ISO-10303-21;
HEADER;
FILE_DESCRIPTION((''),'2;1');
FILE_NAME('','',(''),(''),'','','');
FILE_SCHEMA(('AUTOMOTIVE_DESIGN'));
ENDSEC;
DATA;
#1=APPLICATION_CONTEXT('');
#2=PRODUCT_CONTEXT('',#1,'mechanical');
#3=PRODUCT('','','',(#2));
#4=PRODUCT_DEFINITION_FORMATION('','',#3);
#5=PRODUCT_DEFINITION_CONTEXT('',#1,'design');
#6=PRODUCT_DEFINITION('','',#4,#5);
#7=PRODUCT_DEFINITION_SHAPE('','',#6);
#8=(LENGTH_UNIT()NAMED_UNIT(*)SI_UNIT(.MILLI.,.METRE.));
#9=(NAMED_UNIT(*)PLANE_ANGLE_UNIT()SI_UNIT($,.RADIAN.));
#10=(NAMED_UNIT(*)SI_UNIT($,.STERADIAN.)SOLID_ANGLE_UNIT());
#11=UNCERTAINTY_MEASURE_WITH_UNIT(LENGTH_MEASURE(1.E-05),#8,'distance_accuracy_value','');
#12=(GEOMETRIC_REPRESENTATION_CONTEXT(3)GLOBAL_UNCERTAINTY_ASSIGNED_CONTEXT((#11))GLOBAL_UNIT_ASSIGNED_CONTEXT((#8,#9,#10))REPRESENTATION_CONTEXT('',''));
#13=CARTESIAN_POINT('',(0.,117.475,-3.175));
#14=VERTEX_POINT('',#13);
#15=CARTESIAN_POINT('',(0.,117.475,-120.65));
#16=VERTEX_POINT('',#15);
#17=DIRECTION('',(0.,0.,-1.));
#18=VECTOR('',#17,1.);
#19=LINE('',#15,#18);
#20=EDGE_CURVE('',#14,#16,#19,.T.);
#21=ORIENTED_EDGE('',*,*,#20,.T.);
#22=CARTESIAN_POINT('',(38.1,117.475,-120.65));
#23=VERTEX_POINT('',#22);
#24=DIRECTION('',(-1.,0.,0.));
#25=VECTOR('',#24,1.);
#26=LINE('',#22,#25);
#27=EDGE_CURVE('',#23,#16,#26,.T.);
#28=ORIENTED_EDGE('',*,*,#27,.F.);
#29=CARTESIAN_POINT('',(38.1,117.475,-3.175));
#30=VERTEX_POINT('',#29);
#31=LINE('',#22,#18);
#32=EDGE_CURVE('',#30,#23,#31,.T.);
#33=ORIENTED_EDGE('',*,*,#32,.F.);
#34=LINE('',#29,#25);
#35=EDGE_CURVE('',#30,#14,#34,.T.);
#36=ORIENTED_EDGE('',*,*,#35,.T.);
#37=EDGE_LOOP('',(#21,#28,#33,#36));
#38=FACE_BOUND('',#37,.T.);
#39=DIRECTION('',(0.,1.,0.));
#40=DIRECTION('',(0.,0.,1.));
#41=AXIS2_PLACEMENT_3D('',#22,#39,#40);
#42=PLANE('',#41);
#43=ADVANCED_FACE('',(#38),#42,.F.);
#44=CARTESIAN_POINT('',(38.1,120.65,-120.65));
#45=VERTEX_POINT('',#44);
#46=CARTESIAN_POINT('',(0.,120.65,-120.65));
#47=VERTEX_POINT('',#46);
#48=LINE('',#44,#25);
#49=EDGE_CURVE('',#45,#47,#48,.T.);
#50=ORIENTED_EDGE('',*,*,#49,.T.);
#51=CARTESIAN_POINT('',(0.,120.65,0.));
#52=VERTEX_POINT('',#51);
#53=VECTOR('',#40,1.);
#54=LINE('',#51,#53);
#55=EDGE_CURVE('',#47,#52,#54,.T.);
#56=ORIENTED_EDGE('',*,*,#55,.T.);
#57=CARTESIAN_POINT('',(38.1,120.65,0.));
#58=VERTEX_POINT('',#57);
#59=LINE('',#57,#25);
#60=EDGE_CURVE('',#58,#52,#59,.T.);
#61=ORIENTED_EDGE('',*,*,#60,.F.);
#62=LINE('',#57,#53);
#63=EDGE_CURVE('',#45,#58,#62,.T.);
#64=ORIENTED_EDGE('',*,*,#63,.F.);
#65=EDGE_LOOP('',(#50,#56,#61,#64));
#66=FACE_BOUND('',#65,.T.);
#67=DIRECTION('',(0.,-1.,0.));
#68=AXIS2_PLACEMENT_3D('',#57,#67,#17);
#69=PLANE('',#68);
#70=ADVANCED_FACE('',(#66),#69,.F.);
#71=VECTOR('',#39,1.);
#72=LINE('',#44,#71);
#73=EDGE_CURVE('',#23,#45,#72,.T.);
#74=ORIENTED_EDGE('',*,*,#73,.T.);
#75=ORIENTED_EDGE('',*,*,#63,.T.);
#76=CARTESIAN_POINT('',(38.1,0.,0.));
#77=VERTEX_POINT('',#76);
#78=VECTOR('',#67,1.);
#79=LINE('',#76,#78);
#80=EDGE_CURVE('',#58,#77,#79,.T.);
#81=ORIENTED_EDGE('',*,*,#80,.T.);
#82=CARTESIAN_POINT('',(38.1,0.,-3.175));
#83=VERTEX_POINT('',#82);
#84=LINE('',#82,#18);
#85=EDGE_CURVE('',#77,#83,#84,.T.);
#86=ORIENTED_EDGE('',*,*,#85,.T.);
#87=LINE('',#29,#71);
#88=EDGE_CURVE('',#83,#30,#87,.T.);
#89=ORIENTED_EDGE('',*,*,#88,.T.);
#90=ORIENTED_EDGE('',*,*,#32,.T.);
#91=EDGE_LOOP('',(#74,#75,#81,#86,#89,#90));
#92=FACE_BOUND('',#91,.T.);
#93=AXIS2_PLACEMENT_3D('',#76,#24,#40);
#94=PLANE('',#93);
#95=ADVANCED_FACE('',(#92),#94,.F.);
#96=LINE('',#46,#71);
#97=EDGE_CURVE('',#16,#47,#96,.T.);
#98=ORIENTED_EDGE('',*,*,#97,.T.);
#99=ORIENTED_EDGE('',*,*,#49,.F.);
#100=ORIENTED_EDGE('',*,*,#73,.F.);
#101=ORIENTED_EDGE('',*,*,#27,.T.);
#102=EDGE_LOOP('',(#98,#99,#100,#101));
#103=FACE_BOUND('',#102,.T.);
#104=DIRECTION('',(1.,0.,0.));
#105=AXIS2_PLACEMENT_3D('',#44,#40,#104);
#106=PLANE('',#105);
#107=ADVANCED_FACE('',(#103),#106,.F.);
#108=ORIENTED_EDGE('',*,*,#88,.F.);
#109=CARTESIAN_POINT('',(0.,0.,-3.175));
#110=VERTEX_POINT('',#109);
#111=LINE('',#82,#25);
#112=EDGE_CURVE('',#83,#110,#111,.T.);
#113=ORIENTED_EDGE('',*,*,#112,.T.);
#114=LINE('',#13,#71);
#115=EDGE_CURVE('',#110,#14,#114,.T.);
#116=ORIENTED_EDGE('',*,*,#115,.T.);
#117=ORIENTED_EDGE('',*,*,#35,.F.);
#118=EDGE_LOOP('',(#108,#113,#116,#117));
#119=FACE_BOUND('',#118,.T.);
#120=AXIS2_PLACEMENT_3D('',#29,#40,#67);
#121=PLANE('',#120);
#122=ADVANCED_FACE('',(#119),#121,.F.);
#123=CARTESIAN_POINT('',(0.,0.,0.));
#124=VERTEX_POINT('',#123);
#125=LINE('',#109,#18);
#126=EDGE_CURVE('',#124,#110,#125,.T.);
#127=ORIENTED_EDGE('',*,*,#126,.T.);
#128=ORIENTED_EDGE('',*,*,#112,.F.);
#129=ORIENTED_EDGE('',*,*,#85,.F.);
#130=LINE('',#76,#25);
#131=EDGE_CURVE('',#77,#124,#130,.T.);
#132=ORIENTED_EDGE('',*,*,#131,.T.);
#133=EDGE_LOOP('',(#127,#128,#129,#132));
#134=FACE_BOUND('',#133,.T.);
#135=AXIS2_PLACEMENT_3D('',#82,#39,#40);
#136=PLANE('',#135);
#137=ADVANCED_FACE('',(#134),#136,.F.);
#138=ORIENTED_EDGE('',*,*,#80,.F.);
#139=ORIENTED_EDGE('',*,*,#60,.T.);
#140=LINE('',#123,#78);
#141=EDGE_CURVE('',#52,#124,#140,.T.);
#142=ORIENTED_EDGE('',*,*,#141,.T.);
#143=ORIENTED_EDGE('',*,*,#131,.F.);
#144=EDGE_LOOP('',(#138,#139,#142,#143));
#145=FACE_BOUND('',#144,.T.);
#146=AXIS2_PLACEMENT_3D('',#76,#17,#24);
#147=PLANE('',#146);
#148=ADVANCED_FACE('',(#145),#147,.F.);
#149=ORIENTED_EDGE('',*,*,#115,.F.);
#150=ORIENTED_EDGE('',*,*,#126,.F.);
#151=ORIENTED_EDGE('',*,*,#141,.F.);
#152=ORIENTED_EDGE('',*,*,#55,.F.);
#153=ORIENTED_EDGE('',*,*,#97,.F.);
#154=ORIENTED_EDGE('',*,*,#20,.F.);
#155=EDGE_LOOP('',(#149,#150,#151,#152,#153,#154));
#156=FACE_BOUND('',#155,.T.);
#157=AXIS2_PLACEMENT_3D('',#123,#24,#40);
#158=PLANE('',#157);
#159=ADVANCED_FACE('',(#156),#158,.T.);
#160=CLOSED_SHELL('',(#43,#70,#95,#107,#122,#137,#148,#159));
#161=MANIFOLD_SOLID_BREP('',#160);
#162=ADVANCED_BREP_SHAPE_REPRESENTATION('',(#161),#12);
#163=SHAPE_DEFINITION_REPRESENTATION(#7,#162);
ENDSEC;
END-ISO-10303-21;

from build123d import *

# Parameters (mm, degrees)
BOSS_EXTRUDE1_DEPTH = 38.1


with BuildPart() as part:
    # Sketch1 → Boss-Extrude1 (new body)
    with BuildSketch(Plane(origin=(0, 0, 0), x_dir=(0, 0, -1), z_dir=(1, 0, 0))):
        Polygon((0, 0), (0, 120.65), (120.65, 120.65), (120.65, 117.475), (3.175, 117.475), (3.175, 0), align=None)
    extrude(amount=BOSS_EXTRUDE1_DEPTH)


solid = part.part
